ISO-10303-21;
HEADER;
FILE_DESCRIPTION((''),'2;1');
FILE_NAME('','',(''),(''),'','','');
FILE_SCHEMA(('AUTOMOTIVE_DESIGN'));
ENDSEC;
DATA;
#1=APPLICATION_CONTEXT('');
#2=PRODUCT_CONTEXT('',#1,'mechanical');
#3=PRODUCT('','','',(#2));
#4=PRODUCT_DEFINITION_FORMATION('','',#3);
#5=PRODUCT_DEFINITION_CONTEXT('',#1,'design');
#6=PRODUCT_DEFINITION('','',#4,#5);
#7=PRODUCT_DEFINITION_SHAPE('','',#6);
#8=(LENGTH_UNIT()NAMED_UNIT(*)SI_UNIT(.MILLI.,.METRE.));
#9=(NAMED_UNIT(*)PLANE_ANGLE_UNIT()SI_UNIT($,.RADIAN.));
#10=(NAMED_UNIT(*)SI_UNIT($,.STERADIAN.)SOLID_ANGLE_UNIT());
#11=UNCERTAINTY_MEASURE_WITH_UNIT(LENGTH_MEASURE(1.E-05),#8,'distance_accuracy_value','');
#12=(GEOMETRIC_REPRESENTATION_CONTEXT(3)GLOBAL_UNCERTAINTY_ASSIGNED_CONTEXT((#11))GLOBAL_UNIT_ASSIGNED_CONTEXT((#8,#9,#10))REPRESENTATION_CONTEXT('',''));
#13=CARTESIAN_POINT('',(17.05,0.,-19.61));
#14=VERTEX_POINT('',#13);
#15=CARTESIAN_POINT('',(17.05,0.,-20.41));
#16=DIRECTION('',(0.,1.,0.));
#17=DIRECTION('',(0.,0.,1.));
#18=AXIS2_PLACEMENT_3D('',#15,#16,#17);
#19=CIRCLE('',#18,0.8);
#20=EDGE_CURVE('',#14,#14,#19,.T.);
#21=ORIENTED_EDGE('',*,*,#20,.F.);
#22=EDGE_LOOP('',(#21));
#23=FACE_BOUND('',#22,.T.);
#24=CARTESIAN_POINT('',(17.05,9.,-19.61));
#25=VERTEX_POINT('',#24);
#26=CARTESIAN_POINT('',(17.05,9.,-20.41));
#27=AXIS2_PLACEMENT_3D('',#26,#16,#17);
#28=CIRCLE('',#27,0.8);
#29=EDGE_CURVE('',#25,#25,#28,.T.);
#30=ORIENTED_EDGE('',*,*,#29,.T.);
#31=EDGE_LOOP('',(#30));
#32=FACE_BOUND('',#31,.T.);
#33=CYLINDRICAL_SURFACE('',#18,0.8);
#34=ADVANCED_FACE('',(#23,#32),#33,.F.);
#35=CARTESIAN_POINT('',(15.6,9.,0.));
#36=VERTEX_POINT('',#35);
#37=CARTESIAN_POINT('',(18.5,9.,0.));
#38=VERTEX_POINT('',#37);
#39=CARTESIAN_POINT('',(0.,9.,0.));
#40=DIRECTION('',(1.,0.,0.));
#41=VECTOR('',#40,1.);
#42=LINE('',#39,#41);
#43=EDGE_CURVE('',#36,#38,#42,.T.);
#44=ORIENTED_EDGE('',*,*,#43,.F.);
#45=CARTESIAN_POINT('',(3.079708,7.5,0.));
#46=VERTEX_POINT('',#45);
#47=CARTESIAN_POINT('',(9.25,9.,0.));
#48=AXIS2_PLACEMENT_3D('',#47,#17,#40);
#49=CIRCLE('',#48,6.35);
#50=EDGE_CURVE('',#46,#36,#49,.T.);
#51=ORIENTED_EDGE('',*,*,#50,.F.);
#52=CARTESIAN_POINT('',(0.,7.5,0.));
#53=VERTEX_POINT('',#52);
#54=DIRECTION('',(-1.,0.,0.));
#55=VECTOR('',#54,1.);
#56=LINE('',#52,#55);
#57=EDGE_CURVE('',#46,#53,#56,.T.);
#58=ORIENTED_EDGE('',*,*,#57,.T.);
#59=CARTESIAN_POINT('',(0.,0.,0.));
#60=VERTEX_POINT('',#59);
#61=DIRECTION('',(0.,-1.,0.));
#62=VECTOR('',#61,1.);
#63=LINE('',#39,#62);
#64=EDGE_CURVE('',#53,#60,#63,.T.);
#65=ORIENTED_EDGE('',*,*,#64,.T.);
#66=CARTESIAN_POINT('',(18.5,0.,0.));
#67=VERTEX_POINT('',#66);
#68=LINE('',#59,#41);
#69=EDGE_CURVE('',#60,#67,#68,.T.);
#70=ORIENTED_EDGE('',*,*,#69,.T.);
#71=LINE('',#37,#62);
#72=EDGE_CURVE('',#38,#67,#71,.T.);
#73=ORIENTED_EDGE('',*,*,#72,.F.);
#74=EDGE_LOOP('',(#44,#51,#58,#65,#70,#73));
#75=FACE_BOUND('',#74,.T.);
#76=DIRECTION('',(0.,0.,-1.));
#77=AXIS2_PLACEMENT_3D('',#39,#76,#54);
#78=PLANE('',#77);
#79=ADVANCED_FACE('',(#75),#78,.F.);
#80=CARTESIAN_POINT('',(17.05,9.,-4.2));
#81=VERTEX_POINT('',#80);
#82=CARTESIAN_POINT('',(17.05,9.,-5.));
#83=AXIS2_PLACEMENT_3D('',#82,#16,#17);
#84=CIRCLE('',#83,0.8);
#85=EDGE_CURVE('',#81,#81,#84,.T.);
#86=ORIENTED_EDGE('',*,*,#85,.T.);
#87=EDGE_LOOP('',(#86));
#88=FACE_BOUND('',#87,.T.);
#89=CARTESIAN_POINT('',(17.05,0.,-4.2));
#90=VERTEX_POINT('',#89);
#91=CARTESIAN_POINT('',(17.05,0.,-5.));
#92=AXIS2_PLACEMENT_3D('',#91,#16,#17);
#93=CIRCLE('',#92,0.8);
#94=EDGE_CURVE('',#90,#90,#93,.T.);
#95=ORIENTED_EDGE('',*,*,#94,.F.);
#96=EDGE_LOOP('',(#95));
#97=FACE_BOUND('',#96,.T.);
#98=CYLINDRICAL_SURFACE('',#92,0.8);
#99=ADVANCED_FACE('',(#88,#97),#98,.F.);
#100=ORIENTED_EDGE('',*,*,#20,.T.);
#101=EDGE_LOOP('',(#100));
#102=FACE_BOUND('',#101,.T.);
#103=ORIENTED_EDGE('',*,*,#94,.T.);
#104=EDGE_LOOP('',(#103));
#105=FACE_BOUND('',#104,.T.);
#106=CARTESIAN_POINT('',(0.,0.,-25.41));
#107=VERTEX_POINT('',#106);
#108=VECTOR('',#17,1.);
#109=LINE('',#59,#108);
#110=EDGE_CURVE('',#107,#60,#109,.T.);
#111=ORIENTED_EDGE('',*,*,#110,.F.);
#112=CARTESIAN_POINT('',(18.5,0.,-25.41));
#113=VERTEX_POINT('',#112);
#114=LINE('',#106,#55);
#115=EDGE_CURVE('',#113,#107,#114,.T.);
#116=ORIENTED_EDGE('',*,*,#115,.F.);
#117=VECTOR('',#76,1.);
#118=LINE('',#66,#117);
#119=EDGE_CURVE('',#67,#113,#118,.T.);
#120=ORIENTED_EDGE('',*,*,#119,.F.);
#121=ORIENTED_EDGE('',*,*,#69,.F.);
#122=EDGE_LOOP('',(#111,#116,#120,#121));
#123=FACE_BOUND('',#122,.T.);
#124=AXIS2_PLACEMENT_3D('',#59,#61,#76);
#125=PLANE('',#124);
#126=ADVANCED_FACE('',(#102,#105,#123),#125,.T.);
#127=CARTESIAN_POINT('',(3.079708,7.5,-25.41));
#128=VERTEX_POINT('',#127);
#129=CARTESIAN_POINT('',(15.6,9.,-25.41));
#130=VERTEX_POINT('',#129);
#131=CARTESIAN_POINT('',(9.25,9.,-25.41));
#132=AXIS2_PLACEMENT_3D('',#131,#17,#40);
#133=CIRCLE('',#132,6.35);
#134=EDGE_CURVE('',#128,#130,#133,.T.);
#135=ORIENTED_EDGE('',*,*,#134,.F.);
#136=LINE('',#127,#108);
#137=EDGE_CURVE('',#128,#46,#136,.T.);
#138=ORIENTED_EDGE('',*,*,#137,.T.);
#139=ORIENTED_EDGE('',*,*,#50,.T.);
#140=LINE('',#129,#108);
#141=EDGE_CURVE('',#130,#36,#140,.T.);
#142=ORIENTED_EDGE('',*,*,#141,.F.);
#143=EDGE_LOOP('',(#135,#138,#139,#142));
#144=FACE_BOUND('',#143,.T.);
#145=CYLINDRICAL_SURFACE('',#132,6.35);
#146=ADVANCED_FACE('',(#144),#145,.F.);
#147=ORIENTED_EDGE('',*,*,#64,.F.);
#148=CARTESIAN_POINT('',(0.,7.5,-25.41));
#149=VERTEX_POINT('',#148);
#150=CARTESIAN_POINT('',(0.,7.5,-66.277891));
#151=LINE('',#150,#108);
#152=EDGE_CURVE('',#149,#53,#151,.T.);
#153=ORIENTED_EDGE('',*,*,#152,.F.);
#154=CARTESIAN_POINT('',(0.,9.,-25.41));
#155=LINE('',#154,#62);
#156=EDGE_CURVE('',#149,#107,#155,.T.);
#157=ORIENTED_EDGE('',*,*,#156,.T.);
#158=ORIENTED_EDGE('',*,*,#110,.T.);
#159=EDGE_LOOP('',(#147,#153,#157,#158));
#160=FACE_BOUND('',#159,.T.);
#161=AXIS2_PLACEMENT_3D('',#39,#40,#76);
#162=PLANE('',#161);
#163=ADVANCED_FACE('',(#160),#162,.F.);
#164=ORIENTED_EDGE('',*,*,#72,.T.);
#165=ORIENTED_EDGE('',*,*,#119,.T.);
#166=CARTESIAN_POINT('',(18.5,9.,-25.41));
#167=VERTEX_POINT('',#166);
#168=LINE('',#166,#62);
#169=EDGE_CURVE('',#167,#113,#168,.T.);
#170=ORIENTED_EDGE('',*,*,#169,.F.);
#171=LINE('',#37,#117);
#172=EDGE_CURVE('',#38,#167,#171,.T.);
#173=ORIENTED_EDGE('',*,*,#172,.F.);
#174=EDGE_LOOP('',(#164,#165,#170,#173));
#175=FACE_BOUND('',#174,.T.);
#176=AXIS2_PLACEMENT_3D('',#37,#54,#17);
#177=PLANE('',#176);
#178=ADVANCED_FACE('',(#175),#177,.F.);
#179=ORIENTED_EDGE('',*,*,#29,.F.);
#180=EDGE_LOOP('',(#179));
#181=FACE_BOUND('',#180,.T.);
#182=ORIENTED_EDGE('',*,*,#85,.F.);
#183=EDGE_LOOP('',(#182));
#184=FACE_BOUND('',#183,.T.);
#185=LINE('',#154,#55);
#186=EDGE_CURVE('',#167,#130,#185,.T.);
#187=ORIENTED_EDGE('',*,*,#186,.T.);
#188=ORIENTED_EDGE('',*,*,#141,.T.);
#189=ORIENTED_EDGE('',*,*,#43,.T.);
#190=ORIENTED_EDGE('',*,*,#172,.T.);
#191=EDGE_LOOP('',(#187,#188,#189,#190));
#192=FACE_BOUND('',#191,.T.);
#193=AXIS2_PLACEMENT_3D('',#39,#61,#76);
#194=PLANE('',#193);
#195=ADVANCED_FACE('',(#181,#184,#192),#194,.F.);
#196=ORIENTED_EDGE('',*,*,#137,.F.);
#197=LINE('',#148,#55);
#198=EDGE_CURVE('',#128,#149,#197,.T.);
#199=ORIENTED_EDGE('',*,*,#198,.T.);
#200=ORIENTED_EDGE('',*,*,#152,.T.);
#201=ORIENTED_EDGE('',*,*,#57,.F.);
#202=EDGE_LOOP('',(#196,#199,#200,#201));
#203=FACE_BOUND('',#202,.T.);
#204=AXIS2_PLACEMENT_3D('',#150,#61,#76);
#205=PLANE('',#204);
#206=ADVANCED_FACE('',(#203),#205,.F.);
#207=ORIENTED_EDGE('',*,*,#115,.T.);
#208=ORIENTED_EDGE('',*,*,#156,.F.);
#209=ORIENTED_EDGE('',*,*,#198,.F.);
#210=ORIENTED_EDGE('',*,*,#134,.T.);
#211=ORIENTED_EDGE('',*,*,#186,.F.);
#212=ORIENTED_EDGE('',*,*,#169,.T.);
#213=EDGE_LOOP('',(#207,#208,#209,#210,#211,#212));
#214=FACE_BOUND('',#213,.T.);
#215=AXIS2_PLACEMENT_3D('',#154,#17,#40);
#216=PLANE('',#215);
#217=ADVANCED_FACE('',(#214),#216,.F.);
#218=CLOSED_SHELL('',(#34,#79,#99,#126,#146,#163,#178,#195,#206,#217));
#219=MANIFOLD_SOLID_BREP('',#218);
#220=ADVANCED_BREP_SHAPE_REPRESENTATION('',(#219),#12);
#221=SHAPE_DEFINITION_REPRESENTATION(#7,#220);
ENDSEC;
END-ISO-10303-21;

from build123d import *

# Parameters (mm, degrees)
SKETCH2_W               = 18.5
SKETCH2_H               = 25.41
BOSS_EXTRUDE1_DEPTH     = 9
CUT_EXTRUDE1_DEPTH      = 25.41
CUT_EXTRUDE3_DEPTH      = 33.694312961
CUT_EXTRUDE3_DEPTH_BACK = 25.41
SKETCH10_R              = 0.8
CUT_EXTRUDE4_DEPTH      = 33.694312961


with BuildPart() as part:
    # Sketch2 → Boss-Extrude1 (new body)
    with BuildSketch(Plane(origin=(0, 0, 0), x_dir=(1, 0, 0), z_dir=(0, 1, 0))):
        with Locations((9.25, 12.705)):
            Rectangle(SKETCH2_W, SKETCH2_H)
    extrude(amount=BOSS_EXTRUDE1_DEPTH)

    # Sketch6 → Cut-Extrude1 (cut)
    with BuildSketch(Plane.XY):
        with BuildLine():
            Line((2.9, 9), (15.6, 9))
            ThreePointArc((15.6, 9), (9.25, 2.65), (2.9, 9))
        make_face()
    extrude(amount=-CUT_EXTRUDE1_DEPTH, mode=Mode.SUBTRACT)

    # Sketch14 → Cut-Extrude3 (cut, two sides)
    with BuildSketch(Plane(origin=(0, 0, -25.41), x_dir=(-1, 0, 0), z_dir=(0, 0, -1))) as cut_extrude3_sk:
        Polygon((0, 60.146081223), (0, 9), (0, 7.5), (-3.246658661, 7.5), (-2.9, 9), (8.616604878, 58.832614185), (24.031387378, 159.956651774), (15.4147825, 161.270118812), align=None)
    extrude(amount=CUT_EXTRUDE3_DEPTH, mode=Mode.SUBTRACT)
    extrude(cut_extrude3_sk.sketch, amount=-CUT_EXTRUDE3_DEPTH_BACK, mode=Mode.SUBTRACT)


with BuildPart() as cut_extrude3_kept_piece:
    # of the separate pieces the step leaves, the one the design keeps (cut_extrude3_pieces_kept)
    add(part.part.solids().sort_by_distance((0, 0, 0))[0])

    # Sketch10 → Cut-Extrude4 (cut, through all)
    with BuildSketch(Plane(origin=(0, 9, 0), x_dir=(1, 0, 0), z_dir=(0, 1, 0))):
        with Locations(Location((17.05, 20.41, 0), (0, 0, 270))):
            Circle(SKETCH10_R)
        with Locations(Location((17.05, 5, 0), (0, 0, 270))):
            Circle(SKETCH10_R)
    extrude(amount=-CUT_EXTRUDE4_DEPTH, mode=Mode.SUBTRACT)


solid = cut_extrude3_kept_piece.part
